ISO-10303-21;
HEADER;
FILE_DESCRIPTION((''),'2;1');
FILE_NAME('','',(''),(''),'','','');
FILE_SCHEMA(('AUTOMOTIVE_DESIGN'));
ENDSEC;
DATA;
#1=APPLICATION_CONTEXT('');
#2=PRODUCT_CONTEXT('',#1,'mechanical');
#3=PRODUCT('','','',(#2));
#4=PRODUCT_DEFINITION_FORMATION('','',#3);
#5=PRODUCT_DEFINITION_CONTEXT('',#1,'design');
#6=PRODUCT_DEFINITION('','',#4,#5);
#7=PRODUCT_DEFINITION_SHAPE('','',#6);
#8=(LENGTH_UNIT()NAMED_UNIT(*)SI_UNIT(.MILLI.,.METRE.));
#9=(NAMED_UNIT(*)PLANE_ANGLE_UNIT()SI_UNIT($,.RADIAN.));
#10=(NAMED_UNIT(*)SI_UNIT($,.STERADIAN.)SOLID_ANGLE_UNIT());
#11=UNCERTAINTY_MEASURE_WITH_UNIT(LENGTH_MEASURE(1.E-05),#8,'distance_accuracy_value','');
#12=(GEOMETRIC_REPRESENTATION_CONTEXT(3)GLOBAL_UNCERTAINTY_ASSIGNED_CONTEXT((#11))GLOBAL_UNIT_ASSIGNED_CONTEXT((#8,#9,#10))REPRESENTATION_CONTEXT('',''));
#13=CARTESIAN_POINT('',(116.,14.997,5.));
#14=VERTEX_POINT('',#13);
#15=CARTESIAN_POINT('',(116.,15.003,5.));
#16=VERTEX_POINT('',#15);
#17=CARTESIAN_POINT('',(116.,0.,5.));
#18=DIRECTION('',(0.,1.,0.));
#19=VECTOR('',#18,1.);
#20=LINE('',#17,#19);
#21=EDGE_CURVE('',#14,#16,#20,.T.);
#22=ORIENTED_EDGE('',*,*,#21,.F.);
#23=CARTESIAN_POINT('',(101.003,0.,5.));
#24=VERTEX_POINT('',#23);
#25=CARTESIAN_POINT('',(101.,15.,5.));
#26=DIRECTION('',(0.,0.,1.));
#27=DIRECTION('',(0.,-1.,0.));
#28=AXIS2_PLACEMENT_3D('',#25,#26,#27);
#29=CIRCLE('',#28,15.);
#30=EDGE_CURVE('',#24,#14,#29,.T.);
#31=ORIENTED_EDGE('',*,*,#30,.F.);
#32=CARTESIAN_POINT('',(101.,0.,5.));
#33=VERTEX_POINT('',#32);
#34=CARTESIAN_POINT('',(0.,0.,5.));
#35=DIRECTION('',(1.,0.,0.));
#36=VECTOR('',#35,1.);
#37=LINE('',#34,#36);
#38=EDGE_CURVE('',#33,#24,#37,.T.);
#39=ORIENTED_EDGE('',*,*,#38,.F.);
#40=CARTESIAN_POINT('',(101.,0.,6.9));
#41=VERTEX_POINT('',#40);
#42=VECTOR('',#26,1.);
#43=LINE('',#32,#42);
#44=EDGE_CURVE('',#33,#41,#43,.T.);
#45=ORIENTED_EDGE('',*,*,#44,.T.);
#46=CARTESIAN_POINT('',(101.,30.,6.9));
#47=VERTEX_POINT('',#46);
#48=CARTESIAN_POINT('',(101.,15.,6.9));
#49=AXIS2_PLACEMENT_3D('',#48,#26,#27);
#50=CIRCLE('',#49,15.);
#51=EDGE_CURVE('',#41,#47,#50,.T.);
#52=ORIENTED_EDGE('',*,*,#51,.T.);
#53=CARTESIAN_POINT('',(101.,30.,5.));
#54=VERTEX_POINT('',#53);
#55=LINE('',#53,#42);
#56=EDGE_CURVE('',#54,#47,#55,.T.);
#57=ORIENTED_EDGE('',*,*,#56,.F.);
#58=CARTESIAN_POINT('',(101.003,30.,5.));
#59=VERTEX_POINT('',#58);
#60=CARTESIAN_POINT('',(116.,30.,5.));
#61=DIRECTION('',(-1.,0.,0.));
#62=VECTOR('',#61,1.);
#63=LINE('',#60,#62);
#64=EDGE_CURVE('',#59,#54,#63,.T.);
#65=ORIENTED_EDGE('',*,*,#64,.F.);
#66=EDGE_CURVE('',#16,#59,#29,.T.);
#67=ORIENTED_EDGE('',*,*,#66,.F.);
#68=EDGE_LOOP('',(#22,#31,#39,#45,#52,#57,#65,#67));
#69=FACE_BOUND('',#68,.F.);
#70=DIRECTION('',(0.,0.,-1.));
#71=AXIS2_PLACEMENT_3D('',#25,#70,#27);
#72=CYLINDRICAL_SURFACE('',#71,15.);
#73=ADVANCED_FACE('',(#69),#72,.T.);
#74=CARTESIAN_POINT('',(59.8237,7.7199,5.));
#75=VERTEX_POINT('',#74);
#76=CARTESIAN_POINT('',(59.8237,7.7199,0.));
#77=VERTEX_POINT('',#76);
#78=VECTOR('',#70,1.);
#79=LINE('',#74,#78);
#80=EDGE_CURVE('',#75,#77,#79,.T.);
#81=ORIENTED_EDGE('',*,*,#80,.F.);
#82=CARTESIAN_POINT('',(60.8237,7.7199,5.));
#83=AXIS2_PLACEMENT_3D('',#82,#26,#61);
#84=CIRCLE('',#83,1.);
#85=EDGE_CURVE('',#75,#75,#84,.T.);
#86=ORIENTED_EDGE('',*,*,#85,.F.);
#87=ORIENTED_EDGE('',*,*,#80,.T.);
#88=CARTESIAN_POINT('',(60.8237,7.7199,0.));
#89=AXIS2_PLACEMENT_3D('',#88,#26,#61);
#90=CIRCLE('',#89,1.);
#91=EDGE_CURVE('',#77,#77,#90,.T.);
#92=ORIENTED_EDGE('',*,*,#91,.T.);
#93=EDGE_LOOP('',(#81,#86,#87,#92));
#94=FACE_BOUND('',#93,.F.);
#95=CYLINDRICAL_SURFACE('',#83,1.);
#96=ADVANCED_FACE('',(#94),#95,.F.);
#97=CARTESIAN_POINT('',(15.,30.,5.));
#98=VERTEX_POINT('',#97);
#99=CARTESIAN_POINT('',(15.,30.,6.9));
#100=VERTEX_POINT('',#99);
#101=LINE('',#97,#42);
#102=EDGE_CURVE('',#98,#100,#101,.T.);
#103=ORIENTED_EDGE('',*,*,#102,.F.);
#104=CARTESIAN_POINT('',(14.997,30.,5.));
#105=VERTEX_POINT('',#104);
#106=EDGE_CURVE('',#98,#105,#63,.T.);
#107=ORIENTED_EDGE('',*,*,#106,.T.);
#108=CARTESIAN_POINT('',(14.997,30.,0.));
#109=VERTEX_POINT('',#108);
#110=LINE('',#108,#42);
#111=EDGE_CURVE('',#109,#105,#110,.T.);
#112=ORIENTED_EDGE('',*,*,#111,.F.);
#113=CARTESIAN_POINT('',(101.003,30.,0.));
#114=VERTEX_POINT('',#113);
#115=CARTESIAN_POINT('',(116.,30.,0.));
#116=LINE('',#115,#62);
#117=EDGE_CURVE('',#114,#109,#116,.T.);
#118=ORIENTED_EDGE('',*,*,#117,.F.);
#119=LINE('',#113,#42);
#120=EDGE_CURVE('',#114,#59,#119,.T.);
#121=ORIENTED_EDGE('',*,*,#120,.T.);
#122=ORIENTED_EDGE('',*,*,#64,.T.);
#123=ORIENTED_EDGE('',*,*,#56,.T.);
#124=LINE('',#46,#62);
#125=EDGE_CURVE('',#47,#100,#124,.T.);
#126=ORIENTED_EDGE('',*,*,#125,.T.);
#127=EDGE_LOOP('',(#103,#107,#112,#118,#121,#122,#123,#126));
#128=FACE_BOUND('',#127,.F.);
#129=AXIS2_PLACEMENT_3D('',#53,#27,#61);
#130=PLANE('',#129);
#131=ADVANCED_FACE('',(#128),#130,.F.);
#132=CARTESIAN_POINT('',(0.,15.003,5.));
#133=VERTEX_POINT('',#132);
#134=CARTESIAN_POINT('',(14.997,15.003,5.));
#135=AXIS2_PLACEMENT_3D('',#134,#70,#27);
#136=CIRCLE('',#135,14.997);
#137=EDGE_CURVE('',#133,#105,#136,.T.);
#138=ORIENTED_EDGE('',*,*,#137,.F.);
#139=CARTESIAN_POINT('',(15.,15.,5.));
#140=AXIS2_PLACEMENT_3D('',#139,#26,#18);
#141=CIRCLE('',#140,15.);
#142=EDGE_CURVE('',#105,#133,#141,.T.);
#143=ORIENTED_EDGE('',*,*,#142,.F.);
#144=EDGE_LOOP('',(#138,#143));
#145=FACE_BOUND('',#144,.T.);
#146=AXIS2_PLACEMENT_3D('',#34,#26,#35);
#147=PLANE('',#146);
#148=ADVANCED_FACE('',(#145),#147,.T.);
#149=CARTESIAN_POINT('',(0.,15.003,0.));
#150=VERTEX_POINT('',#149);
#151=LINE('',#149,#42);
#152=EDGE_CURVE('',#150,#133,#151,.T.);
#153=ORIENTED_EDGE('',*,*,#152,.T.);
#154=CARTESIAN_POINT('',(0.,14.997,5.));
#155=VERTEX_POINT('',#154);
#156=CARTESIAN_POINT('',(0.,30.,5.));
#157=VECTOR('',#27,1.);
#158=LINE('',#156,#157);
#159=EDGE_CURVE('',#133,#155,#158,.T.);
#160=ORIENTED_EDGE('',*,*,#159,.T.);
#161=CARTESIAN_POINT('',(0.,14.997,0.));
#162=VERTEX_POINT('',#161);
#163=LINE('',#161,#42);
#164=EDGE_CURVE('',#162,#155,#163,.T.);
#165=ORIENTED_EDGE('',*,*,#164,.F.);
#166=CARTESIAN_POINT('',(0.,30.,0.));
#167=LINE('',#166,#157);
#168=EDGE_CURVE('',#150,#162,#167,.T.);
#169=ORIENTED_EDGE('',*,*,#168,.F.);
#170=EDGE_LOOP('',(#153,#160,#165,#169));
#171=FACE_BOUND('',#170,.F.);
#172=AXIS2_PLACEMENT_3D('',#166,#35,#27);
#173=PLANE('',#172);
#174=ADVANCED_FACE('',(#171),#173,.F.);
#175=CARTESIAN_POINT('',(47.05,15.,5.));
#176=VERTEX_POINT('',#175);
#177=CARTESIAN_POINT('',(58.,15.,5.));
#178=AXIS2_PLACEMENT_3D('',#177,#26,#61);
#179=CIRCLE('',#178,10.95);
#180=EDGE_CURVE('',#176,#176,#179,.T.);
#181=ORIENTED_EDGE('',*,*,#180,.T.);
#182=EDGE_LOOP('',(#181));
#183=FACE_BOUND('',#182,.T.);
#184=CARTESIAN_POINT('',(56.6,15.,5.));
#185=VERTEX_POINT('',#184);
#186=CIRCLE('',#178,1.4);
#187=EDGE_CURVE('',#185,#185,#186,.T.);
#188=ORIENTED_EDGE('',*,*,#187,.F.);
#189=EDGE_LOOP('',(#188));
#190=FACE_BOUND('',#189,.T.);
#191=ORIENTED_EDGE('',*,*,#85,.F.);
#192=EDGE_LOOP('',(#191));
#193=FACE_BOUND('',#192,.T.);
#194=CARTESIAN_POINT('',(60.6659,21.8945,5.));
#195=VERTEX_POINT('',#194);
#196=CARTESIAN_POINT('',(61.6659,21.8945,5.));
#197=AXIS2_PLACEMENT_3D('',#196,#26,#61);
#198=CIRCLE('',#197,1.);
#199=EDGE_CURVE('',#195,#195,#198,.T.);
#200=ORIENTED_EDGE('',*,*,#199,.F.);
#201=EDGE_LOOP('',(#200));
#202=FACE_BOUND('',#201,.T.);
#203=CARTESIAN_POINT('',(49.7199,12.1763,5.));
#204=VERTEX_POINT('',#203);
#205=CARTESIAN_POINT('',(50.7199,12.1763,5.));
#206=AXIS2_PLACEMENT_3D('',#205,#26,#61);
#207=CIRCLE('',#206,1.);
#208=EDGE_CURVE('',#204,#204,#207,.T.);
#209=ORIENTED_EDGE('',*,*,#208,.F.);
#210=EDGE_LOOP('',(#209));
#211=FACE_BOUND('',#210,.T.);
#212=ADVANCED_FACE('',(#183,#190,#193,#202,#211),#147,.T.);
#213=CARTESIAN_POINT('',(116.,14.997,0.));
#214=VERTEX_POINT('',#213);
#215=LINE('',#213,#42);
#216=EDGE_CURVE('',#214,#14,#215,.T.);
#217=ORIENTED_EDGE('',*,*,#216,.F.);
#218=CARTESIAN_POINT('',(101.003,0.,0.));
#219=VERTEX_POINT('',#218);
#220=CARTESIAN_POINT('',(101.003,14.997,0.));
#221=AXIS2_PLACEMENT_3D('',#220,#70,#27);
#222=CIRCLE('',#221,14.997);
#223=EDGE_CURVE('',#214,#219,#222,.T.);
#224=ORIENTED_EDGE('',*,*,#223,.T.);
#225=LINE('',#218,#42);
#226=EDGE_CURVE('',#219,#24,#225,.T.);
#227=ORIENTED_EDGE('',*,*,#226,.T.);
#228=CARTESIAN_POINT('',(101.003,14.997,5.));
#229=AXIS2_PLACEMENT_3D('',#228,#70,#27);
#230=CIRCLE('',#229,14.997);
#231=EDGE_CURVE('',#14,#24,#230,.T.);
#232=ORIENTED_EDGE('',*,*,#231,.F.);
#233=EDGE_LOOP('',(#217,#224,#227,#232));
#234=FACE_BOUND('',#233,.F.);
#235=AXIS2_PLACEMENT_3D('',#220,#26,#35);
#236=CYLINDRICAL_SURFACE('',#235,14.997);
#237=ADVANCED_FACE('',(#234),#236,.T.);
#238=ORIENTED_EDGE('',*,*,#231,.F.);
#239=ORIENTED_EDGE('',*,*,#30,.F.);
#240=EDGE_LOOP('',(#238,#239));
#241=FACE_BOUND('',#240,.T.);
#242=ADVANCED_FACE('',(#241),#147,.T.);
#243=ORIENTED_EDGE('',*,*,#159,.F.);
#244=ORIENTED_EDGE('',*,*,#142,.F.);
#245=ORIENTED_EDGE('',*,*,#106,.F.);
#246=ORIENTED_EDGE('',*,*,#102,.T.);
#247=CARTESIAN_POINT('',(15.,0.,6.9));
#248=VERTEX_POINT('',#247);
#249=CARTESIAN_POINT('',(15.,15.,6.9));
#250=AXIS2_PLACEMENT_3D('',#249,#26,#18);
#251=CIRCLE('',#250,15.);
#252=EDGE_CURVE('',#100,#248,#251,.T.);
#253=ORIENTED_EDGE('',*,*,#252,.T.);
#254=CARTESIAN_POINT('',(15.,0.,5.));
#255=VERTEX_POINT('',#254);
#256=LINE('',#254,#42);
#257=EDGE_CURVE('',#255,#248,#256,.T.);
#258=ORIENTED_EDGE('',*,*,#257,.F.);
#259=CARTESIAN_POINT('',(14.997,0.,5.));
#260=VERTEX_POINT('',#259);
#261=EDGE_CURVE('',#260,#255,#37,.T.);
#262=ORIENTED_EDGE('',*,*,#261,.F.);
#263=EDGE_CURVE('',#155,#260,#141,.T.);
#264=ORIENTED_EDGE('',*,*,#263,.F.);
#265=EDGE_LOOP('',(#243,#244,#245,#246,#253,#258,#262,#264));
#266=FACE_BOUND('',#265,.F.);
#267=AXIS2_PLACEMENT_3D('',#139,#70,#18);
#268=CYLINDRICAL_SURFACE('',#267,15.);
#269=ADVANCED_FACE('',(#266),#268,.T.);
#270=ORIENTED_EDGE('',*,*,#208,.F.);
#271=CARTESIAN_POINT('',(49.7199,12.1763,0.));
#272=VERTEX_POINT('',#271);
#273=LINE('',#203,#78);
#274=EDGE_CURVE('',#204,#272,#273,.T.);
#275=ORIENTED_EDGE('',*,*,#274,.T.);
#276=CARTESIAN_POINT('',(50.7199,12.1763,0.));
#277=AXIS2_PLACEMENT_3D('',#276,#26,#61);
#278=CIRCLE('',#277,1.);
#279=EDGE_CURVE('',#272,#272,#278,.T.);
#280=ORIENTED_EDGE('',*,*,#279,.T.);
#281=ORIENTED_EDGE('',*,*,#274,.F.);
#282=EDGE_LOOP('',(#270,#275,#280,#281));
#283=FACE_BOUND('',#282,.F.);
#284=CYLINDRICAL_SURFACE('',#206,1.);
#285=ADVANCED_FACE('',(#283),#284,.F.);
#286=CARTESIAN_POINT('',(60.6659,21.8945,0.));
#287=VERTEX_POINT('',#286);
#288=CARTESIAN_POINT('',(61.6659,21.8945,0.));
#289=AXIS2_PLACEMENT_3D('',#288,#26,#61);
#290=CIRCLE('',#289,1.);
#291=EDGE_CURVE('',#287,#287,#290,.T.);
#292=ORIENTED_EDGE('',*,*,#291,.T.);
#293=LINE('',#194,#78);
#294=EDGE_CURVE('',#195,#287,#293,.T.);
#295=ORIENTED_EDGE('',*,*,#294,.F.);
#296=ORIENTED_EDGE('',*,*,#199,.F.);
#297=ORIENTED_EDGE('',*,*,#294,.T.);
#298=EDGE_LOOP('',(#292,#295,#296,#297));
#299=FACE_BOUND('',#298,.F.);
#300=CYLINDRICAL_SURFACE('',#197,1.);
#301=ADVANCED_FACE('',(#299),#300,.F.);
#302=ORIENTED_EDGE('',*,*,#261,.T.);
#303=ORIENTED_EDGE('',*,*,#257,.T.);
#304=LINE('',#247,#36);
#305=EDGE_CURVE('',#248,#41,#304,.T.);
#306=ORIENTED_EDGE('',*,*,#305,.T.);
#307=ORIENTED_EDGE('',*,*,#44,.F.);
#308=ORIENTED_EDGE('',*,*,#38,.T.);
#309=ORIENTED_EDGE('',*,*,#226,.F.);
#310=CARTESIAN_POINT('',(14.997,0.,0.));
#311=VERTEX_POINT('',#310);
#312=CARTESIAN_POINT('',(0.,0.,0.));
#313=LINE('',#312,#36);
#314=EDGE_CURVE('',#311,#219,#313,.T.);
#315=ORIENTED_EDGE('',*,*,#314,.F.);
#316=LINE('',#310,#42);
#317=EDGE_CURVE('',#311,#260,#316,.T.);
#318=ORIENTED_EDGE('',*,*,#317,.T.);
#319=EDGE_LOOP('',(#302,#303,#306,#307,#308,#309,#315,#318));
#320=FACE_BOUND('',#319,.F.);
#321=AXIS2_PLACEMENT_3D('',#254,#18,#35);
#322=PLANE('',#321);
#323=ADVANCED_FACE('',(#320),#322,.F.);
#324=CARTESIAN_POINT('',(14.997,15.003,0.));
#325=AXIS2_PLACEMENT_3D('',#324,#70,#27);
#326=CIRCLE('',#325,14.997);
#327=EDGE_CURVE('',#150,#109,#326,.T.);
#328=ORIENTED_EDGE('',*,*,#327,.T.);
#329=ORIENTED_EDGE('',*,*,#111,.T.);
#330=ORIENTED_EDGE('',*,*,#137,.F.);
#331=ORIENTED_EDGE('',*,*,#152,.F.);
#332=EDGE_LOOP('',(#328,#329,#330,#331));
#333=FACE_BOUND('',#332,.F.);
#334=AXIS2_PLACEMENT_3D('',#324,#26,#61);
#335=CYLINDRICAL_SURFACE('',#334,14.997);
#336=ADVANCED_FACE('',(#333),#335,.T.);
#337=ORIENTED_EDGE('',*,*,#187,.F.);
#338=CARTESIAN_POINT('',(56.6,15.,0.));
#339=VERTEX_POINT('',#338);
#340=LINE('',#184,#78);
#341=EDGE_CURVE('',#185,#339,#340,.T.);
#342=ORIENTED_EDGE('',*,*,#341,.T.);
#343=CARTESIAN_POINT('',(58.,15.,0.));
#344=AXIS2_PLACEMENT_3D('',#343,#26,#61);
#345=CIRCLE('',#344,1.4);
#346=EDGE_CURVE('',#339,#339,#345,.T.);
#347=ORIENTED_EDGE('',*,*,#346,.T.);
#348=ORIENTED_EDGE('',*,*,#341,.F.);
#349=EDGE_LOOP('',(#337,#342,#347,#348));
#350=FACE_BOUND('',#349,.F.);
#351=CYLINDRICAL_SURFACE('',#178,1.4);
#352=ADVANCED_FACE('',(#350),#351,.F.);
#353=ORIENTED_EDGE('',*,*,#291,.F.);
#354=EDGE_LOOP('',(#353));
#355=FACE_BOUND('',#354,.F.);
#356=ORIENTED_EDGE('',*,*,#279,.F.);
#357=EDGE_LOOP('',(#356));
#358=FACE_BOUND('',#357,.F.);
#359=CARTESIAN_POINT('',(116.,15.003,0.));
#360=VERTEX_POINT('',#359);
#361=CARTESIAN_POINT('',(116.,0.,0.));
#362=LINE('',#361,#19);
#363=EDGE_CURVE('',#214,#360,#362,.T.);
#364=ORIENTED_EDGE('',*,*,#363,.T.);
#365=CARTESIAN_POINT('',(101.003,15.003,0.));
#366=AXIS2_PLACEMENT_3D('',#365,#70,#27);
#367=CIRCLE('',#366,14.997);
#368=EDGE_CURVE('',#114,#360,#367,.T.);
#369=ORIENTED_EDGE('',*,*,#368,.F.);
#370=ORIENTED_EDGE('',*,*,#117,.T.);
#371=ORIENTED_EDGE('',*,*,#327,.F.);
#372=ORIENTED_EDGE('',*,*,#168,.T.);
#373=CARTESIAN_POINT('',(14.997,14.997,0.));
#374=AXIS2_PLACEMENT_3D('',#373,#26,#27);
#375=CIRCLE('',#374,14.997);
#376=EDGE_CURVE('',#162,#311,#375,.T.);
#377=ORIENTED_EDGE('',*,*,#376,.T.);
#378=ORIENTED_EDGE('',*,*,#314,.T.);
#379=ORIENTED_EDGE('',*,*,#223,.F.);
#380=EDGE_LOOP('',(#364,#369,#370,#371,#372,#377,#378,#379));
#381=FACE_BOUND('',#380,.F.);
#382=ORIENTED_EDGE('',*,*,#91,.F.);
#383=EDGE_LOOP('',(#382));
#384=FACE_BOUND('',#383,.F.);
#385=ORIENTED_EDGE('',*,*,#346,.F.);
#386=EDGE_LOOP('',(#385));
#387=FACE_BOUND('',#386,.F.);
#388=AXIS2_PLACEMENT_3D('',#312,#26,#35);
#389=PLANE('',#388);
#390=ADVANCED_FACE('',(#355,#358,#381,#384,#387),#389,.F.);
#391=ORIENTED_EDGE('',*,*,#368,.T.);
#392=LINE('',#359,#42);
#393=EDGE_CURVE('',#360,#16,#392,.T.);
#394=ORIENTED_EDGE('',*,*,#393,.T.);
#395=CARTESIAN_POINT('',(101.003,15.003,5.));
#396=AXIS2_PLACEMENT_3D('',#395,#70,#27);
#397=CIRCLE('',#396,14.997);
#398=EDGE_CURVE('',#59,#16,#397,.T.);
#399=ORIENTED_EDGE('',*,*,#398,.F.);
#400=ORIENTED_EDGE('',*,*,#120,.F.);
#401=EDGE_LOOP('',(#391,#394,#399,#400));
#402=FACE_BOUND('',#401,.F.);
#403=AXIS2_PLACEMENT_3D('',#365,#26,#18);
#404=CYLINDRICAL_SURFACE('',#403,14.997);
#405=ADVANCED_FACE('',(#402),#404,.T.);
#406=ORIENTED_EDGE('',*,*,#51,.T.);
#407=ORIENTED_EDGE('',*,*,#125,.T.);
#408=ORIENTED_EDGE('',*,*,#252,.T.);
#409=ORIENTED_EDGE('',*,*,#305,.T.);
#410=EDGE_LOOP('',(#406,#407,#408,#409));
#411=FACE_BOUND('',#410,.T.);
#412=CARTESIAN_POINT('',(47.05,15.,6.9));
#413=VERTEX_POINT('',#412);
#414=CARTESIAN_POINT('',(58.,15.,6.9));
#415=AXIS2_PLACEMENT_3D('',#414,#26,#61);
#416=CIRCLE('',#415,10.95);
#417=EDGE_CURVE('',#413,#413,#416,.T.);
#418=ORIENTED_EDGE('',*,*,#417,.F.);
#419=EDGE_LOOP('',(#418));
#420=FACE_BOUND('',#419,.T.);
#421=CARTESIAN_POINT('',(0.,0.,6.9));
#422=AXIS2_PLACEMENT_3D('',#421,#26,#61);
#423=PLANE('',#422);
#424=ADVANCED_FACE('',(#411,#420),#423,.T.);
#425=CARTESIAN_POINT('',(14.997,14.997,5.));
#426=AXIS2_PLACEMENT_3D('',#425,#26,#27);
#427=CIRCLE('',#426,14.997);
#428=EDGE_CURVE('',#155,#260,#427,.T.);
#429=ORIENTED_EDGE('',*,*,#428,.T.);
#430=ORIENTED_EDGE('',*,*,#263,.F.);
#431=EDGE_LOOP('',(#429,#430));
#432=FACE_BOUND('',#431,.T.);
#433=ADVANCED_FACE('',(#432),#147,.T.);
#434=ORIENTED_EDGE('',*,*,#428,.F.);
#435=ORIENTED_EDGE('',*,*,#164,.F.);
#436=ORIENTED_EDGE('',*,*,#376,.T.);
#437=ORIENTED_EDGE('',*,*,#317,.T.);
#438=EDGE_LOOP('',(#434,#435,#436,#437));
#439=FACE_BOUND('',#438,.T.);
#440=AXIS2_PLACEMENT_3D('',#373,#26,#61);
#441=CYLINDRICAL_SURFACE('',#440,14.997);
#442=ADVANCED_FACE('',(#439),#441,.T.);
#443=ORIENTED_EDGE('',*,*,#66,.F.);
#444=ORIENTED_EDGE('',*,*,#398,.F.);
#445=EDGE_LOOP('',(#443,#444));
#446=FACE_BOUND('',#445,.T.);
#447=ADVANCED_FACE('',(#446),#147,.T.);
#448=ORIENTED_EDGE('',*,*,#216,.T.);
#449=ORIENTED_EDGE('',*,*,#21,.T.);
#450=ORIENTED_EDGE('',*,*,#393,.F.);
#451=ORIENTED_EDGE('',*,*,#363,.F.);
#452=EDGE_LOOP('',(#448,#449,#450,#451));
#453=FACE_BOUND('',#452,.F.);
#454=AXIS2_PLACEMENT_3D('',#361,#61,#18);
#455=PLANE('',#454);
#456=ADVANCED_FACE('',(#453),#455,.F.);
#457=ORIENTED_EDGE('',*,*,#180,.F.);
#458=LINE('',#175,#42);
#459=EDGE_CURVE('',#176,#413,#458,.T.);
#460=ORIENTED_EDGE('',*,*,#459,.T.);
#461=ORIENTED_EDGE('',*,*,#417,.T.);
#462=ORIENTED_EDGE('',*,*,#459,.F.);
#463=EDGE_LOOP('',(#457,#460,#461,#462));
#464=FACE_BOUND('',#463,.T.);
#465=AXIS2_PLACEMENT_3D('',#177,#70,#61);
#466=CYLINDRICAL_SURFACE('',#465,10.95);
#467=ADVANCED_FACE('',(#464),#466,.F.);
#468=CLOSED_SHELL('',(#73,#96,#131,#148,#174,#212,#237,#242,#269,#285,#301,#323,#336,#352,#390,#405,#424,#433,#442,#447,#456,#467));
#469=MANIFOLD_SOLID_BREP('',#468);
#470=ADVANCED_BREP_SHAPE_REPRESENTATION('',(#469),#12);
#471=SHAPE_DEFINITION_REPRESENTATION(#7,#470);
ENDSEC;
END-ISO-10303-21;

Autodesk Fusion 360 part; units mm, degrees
sketch "스케치1" plane through (0, 0, 0) normal (0, 0, 1) x (1, 0, 0)
  line L0 (0, 0) -> (116, 0)
  line L1 (116, 0) -> (116, 30)
  line L2 (116, 30) -> (0, 30)
  line L3 (0, 30) -> (0, 0)
  dimension "d1" = 116
  dimension "d2" = 30
extrude "돌출1" add sketch "스케치1" along normal blind 5
fillet "필렛1" radius 15 4 edges at (0, 0, 2.5) (116, 0, 2.5) (116, 30, 2.5) (0, 30, 2.5)
sketch "스케치2" plane through (0, 0, 5) normal (0, 0, 1) x (-1, 0, 0)
  arc A0 (-15, -30) -> (-15, 0) centre (-15, -15) ccw
  line L0 (-15, 0) -> (-101, 0)
  arc A1 (-101, 0) -> (-101, -30) centre (-101, -15) ccw
  line L1 (-101, -30) -> (-15, -30)
  circle A2 centre (-58, -15) radius 10.95
  dimension "d7" = 15
  dimension "d8" = 58
  dimension "d9" = 21.9
extrude "돌출2" add sketch "스케치2" along normal blind 1.9
sketch "스케치3" plane through (0, 0, 5) normal (0, 0, 1) x (-1, 0, 0)
  circle A0 centre (-58, -15) radius 10.95
  circle A1 centre (-58, -15) radius 1.4
  circle A2 centre (-58, -15) radius 7.8085 construction
  circle A3 centre (-61.6659, -21.8945) radius 1
  circle A4 centre (-50.7199, -12.1763) radius 1
  circle A5 centre (-60.8237, -7.7199) radius 1
  line L0 (-61.6659, -21.8945) -> (-58, -15) construction
  line L1 (-58, -15) -> (-50.7199, -12.1763) construction
  line L2 (-58, -15) -> (-60.8237, -7.7199) construction
  line L3 (-58, -15) -> (-58, -25.95) construction
  dimension "d12" = 2.8
  dimension "d13" = 15.617
  dimension "d14" = 2
  dimension "d15" = 2
  dimension "d16" = 2
  dimension "d17" = 90
  dimension "d18" = 139.2
  dimension "d20" = 28
extrude "돌출3" cut sketch "스케치3" against normal blind 5 contours A1 | A3 | A4 | A5
equation "d8 = ( 116 / 2 ) * 1 mm"
